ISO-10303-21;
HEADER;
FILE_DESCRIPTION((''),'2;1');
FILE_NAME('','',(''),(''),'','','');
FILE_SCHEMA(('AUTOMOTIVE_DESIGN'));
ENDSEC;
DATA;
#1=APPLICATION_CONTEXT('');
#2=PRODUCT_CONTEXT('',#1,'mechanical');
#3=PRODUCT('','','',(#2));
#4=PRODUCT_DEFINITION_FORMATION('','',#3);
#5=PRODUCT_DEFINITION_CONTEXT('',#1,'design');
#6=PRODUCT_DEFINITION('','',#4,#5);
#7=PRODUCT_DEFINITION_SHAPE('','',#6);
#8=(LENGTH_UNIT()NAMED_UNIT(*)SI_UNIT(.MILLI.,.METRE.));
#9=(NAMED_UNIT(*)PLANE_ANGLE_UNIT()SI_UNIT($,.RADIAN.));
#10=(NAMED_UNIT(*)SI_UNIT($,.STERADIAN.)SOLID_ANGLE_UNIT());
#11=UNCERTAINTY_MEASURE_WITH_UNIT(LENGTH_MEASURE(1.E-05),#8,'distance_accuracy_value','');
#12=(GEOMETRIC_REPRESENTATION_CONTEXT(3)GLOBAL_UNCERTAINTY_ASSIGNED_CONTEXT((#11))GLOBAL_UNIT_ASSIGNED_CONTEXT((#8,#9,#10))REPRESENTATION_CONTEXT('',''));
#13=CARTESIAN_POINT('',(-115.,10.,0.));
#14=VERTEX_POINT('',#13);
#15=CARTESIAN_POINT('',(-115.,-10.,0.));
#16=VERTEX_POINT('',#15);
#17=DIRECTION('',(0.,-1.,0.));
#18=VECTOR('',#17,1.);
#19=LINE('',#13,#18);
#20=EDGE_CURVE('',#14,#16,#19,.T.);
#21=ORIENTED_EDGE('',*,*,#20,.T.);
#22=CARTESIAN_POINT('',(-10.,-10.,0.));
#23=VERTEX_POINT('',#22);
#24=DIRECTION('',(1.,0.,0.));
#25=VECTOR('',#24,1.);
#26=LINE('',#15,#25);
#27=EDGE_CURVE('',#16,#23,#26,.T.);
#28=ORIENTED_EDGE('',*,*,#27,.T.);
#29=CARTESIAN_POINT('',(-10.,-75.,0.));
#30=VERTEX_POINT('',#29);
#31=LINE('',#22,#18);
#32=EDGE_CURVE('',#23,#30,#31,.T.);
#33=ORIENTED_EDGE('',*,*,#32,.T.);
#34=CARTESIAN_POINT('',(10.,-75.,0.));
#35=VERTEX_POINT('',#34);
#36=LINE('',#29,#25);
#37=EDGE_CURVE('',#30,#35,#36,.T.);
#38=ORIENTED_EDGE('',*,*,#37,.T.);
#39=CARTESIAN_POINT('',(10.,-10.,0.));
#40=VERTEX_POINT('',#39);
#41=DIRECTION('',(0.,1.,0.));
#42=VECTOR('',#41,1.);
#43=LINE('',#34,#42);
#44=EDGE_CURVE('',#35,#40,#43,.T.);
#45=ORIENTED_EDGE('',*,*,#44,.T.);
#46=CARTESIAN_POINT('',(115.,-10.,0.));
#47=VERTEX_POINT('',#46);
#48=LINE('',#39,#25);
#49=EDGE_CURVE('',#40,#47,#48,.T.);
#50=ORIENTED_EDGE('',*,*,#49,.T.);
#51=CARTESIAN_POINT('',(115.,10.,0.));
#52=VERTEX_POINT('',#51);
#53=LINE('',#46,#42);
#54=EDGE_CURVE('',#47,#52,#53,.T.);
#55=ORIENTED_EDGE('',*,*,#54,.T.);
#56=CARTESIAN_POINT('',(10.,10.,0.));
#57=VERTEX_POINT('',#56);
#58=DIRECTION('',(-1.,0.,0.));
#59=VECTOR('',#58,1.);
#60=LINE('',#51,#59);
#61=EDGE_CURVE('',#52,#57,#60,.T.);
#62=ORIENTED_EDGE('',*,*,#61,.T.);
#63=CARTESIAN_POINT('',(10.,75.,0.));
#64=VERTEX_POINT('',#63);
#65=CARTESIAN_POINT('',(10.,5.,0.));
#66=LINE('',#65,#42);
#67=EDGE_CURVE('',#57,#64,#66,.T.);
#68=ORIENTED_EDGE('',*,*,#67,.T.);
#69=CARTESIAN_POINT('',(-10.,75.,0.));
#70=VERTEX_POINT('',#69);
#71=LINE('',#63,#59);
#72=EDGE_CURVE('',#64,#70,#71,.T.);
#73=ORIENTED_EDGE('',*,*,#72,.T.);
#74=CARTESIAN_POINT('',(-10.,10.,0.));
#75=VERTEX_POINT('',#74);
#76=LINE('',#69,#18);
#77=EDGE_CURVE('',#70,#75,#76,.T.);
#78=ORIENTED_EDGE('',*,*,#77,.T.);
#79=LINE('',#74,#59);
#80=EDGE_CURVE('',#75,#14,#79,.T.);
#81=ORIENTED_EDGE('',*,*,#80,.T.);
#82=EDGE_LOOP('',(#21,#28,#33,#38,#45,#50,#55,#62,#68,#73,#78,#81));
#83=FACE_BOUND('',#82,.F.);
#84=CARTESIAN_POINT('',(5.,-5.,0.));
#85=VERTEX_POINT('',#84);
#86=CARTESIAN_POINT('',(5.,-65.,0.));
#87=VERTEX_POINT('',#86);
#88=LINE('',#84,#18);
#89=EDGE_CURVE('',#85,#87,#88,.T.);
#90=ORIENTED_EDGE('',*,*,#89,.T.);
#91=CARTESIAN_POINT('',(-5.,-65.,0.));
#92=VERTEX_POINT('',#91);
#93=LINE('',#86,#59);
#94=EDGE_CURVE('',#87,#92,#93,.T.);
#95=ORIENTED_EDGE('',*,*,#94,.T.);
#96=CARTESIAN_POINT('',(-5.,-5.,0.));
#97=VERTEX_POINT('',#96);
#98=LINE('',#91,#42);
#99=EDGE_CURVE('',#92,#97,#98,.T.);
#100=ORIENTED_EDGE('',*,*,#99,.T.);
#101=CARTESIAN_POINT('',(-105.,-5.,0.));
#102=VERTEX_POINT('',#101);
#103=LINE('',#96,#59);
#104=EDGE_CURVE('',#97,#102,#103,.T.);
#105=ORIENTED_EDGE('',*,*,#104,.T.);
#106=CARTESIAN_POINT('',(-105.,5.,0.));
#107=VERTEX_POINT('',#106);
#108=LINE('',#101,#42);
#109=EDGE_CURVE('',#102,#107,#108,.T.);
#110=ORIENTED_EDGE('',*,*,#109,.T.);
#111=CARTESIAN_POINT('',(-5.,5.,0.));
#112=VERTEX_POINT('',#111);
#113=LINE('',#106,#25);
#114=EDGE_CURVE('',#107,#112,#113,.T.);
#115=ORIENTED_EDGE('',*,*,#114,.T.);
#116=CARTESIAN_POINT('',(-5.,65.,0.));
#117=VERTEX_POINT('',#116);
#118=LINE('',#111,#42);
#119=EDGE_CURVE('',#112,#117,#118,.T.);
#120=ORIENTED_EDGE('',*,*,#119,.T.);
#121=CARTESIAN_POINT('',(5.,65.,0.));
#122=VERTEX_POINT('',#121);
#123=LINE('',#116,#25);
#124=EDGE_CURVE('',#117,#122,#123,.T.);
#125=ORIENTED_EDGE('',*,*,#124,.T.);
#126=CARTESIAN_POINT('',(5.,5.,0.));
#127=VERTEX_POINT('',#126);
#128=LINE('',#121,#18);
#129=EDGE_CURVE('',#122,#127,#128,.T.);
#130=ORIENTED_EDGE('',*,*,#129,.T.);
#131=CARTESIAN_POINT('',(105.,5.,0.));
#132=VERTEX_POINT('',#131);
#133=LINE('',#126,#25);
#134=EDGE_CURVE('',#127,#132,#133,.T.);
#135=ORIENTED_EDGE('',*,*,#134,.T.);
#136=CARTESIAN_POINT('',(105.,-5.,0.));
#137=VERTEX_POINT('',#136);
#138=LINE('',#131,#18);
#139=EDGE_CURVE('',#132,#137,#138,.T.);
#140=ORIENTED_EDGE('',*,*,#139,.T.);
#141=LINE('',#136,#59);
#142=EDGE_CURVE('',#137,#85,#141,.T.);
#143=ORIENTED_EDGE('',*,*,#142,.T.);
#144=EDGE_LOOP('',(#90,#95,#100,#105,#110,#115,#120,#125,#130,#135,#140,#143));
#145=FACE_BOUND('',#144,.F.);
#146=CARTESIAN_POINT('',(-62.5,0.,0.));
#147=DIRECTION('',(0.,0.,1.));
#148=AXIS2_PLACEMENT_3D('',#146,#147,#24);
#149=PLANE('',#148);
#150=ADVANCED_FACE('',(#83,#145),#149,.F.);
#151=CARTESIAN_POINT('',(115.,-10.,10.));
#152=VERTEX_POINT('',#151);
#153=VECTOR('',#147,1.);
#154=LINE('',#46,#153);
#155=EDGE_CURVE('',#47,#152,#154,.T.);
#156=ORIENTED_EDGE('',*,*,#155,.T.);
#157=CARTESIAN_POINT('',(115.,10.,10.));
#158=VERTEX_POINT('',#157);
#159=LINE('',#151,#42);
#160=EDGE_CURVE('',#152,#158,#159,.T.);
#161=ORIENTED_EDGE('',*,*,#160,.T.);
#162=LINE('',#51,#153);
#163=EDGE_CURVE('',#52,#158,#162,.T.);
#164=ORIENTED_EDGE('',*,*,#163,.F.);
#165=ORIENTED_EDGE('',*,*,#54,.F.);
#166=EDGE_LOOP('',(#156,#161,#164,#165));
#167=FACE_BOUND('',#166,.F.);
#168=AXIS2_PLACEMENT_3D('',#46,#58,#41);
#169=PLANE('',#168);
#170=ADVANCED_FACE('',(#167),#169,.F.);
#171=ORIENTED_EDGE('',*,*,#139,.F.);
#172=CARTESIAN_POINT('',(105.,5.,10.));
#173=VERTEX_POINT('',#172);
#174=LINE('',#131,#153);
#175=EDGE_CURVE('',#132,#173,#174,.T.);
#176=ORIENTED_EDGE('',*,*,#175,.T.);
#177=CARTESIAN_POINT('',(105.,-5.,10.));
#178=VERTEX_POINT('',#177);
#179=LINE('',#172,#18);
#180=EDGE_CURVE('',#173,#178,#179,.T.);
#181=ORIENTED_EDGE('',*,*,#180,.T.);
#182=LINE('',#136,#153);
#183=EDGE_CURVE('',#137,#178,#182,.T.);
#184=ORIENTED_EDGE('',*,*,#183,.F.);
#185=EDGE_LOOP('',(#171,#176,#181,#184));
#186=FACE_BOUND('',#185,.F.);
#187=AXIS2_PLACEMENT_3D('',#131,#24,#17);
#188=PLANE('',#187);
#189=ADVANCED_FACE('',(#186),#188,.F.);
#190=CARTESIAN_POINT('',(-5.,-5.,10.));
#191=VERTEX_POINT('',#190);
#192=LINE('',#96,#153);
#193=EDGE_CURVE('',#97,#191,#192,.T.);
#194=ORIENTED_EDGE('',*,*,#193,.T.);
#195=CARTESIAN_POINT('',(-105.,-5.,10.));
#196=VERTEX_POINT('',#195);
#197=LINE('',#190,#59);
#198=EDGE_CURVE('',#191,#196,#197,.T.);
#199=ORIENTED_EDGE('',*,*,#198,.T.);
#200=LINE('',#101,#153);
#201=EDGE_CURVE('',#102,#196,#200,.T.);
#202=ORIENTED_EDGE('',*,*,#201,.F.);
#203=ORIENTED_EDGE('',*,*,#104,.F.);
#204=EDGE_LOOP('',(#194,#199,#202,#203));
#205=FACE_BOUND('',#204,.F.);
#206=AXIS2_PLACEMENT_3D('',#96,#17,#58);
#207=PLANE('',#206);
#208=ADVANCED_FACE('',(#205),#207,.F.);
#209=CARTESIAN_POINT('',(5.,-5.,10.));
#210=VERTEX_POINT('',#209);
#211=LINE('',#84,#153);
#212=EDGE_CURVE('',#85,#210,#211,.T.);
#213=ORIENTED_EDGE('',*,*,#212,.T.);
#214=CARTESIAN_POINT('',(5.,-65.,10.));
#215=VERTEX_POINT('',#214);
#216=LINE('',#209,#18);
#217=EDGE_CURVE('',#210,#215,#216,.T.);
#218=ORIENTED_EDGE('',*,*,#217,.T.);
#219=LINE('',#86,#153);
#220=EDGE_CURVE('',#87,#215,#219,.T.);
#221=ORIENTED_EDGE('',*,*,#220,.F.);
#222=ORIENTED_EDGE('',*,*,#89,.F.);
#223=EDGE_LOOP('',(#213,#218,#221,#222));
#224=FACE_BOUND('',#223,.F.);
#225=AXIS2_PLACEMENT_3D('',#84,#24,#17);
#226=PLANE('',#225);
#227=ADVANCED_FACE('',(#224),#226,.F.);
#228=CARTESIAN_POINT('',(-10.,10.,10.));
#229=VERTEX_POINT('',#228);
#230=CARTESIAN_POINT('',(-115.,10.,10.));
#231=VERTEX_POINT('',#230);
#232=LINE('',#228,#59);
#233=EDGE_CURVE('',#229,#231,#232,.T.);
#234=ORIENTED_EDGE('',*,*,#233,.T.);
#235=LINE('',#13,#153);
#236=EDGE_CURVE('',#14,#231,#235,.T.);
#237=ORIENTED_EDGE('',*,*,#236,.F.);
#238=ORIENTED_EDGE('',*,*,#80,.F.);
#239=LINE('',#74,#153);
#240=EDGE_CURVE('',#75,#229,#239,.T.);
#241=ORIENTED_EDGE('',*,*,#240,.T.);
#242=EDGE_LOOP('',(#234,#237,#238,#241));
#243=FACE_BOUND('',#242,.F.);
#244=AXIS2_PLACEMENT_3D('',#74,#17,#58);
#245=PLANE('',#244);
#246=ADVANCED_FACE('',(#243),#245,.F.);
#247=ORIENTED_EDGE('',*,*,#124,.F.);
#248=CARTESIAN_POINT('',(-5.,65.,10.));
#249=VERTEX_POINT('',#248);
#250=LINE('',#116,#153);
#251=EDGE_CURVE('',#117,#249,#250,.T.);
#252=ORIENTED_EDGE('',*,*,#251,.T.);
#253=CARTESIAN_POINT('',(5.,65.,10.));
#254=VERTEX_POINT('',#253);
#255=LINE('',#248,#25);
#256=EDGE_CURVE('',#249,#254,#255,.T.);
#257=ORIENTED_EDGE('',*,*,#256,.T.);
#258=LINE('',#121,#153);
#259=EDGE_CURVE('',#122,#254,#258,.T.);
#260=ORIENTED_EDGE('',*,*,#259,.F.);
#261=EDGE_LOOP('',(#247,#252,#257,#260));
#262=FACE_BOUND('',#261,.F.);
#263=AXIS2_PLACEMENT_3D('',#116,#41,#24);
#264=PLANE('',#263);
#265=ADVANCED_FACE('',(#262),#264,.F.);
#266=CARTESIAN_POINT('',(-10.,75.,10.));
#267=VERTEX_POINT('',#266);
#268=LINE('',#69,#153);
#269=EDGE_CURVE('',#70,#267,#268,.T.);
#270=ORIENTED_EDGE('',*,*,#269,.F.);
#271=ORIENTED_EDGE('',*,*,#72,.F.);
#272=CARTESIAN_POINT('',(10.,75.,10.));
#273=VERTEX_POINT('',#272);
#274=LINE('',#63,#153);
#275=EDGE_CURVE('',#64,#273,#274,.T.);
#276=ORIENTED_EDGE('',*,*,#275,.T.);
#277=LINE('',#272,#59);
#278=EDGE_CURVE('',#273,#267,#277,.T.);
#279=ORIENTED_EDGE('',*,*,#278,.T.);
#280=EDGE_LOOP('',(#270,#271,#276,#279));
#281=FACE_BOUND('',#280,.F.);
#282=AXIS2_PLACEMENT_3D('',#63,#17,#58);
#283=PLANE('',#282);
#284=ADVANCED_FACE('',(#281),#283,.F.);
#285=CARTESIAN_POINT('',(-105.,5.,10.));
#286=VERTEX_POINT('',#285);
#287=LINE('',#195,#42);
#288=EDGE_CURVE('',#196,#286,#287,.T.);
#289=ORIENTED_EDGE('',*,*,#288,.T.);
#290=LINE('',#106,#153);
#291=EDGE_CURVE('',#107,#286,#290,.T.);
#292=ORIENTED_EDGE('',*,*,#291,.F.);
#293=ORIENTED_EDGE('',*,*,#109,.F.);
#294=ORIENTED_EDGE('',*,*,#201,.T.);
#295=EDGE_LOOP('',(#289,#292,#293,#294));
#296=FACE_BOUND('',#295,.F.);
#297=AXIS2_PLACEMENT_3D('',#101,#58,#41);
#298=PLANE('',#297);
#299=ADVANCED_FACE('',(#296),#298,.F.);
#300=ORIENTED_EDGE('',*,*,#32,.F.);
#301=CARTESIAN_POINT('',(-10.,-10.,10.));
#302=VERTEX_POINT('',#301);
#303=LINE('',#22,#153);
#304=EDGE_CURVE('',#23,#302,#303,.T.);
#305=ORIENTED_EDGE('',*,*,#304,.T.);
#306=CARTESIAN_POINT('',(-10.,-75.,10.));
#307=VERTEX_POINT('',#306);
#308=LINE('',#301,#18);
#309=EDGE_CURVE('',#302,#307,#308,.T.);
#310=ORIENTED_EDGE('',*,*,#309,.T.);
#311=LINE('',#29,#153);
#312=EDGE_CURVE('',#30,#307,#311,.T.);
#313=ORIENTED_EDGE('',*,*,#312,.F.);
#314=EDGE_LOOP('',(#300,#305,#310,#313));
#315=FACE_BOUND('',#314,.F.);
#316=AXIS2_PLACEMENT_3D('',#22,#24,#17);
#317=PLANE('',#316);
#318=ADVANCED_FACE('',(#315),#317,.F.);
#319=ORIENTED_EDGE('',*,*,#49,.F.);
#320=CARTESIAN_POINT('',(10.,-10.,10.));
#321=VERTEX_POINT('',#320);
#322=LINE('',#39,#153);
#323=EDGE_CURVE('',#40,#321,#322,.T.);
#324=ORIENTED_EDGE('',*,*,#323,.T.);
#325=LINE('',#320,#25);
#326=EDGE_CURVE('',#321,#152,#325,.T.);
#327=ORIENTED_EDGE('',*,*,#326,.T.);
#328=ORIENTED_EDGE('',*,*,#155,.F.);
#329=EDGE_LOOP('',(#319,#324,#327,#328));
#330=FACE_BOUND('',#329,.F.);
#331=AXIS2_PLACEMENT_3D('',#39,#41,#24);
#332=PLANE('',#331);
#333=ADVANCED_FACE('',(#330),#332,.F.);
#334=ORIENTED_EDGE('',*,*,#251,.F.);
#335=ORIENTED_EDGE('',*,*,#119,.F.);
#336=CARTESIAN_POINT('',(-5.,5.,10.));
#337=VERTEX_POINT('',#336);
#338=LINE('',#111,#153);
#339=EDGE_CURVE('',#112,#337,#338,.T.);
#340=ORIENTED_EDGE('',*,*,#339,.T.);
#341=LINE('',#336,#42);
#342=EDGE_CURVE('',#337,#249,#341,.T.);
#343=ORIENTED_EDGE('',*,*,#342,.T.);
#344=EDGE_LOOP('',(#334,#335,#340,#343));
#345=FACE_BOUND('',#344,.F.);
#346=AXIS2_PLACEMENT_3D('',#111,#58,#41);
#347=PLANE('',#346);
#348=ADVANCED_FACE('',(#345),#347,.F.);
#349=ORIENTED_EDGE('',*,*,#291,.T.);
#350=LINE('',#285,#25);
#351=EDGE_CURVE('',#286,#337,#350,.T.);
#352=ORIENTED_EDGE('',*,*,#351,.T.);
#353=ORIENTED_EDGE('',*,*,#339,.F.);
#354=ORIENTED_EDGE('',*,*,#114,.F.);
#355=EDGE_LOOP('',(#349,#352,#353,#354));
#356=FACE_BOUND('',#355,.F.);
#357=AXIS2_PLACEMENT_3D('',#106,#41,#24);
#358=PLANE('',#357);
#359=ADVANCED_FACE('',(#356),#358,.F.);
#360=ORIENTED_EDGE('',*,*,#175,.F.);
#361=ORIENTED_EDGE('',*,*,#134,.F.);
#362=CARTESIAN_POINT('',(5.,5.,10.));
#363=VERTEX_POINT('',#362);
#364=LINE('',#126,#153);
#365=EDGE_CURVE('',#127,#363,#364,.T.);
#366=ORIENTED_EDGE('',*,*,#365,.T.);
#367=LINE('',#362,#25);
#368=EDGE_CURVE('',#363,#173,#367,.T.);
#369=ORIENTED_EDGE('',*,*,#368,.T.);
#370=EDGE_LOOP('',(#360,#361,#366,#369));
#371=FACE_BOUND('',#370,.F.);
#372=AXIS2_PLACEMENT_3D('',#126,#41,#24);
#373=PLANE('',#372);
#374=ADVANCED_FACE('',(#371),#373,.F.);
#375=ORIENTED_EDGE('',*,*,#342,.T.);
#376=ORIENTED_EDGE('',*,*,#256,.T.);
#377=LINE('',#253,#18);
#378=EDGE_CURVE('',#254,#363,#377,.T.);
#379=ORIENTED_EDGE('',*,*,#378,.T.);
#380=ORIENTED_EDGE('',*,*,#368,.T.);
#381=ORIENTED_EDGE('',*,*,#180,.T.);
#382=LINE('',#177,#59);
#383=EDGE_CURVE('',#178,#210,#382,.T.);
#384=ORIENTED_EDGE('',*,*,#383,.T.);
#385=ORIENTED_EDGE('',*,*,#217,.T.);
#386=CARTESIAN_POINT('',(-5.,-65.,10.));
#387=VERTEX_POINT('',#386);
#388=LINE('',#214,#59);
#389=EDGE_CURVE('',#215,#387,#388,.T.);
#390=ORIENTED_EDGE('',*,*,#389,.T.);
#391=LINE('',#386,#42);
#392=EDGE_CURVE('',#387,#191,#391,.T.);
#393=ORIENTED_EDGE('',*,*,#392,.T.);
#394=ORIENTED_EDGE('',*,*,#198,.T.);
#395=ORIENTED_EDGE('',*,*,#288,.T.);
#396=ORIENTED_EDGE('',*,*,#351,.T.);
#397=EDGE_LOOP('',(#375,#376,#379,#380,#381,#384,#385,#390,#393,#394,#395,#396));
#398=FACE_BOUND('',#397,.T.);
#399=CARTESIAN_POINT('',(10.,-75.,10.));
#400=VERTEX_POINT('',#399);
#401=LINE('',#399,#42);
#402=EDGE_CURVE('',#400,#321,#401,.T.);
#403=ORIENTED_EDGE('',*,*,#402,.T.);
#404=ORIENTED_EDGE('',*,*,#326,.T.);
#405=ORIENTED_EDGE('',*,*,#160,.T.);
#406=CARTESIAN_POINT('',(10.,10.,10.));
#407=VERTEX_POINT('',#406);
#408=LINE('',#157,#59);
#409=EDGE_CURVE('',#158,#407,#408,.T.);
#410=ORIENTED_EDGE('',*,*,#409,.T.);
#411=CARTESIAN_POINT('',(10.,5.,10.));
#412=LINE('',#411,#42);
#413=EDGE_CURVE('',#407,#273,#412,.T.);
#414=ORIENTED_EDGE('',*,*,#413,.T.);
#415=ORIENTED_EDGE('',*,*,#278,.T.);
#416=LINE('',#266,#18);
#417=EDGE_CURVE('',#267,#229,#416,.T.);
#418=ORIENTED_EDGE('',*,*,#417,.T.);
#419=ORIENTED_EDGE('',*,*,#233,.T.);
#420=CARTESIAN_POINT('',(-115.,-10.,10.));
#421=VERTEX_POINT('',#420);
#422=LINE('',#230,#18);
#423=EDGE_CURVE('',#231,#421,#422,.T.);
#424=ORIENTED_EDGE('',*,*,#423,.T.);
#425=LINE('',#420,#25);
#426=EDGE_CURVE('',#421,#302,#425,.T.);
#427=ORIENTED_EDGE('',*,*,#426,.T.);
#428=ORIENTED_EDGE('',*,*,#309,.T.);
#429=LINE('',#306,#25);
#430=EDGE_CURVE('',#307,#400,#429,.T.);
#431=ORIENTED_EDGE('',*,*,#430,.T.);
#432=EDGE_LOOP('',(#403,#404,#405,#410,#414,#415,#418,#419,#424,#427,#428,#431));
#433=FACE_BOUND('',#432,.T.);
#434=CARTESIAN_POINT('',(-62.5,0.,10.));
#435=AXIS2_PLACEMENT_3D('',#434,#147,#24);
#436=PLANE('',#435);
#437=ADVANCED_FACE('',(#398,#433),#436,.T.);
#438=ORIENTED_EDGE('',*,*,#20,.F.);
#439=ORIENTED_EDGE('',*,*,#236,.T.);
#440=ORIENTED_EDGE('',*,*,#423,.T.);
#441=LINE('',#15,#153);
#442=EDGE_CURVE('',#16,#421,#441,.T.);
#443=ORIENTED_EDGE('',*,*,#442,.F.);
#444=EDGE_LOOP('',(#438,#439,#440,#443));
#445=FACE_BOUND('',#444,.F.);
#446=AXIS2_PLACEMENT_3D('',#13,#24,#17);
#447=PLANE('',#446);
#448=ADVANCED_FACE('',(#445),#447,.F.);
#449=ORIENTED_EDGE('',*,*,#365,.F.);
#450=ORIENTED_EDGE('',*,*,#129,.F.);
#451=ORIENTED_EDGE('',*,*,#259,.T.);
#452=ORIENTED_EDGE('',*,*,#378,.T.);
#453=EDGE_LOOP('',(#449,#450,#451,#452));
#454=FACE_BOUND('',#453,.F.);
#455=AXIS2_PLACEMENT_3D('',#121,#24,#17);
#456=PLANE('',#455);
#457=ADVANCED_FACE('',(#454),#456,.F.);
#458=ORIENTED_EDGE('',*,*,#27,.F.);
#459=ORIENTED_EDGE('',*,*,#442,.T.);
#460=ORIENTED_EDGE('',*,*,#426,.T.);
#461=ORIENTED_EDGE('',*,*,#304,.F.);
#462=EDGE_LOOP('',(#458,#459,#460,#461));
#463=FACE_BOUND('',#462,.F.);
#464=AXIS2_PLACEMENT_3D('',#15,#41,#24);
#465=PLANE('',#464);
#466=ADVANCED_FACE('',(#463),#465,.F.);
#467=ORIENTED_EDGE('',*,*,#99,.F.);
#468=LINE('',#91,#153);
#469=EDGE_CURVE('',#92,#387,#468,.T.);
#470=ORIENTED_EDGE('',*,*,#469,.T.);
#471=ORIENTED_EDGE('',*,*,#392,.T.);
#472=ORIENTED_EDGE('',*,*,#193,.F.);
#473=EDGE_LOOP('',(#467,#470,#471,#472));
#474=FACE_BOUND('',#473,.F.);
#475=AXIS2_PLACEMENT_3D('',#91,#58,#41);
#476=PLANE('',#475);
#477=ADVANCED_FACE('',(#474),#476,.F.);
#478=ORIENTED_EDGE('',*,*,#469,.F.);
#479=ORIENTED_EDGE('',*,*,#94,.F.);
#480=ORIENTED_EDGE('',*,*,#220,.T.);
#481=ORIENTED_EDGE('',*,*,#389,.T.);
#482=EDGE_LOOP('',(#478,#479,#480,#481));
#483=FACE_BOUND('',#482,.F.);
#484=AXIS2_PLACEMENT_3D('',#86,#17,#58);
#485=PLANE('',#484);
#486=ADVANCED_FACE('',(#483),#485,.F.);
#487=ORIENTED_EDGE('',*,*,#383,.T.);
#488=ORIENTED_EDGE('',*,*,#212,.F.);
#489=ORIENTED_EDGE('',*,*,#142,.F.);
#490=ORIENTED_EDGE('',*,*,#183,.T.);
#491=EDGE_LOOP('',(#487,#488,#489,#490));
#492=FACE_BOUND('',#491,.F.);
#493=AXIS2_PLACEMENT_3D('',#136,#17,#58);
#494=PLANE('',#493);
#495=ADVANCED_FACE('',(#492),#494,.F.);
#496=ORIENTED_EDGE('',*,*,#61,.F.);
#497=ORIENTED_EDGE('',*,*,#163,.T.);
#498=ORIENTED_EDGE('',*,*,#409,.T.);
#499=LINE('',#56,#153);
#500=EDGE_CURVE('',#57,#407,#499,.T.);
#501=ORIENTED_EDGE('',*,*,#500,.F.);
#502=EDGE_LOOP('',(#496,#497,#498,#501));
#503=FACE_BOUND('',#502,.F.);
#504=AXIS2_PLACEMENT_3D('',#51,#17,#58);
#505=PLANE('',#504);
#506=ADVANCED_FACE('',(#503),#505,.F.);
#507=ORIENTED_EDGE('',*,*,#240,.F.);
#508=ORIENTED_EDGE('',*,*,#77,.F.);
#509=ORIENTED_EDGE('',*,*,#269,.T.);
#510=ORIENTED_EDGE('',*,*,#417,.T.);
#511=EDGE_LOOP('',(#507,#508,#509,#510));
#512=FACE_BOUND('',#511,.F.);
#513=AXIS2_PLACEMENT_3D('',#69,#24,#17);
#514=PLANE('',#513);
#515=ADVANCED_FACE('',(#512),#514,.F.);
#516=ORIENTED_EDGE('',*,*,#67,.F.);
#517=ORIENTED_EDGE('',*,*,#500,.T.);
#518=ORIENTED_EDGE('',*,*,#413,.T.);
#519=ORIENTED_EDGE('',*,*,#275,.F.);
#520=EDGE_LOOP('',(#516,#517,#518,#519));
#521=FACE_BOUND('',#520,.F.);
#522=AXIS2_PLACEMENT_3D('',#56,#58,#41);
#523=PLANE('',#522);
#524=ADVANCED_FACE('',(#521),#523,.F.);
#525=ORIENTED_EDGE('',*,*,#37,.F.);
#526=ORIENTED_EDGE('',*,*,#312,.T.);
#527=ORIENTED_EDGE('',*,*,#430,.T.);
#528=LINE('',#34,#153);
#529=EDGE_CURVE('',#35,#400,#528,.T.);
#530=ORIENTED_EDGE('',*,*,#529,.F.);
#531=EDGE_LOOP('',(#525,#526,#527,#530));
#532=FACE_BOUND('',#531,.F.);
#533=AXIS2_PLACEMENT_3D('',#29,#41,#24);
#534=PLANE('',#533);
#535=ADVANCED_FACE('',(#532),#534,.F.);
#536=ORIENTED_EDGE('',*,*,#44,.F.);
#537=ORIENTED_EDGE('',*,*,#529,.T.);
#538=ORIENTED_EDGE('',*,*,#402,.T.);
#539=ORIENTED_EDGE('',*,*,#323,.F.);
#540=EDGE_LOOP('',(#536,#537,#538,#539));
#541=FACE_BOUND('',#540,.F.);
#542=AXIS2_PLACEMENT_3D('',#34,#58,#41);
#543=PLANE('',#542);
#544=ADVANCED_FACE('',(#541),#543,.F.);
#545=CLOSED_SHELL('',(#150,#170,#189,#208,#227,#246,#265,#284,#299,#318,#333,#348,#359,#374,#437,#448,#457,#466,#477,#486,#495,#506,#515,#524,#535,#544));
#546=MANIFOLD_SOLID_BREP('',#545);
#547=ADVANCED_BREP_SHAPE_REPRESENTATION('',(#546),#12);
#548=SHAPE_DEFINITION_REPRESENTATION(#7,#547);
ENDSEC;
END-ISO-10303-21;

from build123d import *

# Parameters (mm, degrees)
F0_W     = 5
F0_H     = 5
F1_DEPTH = 10


with BuildPart() as f1:
    # F0 (on Top) → F1 (new body)
    with BuildSketch(Plane.XY):
        Polygon((-10, 10), (-115, 10), (-115, -10), (-10, -10), (-10, -5), (-105, -5), (-105, 5), (-10, 5), align=None)
        Polygon((-10, 75), (-10, 10), (-5, 10), (-5, 65), (5, 65), (5, 10), (10, 10), (10, 75), align=None)
        with Locations((-7.5, 7.5)):
            Rectangle(F0_W, F0_H)
        with Locations((-7.5, -7.5)):
            Rectangle(F0_W, F0_H)
        Polygon((-5, -10), (-10, -10), (-10, -75), (10, -75), (10, -10), (5, -10), (5, -65), (-5, -65), align=None)
        with Locations((7.5, 7.5)):
            Rectangle(F0_W, F0_H)
        Polygon((115, 10), (10, 10), (10, 5), (105, 5), (105, -5), (10, -5), (10, -10), (115, -10), align=None)
        with Locations((7.5, -7.5)):
            Rectangle(F0_W, F0_H)
    extrude(amount=F1_DEPTH)


solid = f1.part
